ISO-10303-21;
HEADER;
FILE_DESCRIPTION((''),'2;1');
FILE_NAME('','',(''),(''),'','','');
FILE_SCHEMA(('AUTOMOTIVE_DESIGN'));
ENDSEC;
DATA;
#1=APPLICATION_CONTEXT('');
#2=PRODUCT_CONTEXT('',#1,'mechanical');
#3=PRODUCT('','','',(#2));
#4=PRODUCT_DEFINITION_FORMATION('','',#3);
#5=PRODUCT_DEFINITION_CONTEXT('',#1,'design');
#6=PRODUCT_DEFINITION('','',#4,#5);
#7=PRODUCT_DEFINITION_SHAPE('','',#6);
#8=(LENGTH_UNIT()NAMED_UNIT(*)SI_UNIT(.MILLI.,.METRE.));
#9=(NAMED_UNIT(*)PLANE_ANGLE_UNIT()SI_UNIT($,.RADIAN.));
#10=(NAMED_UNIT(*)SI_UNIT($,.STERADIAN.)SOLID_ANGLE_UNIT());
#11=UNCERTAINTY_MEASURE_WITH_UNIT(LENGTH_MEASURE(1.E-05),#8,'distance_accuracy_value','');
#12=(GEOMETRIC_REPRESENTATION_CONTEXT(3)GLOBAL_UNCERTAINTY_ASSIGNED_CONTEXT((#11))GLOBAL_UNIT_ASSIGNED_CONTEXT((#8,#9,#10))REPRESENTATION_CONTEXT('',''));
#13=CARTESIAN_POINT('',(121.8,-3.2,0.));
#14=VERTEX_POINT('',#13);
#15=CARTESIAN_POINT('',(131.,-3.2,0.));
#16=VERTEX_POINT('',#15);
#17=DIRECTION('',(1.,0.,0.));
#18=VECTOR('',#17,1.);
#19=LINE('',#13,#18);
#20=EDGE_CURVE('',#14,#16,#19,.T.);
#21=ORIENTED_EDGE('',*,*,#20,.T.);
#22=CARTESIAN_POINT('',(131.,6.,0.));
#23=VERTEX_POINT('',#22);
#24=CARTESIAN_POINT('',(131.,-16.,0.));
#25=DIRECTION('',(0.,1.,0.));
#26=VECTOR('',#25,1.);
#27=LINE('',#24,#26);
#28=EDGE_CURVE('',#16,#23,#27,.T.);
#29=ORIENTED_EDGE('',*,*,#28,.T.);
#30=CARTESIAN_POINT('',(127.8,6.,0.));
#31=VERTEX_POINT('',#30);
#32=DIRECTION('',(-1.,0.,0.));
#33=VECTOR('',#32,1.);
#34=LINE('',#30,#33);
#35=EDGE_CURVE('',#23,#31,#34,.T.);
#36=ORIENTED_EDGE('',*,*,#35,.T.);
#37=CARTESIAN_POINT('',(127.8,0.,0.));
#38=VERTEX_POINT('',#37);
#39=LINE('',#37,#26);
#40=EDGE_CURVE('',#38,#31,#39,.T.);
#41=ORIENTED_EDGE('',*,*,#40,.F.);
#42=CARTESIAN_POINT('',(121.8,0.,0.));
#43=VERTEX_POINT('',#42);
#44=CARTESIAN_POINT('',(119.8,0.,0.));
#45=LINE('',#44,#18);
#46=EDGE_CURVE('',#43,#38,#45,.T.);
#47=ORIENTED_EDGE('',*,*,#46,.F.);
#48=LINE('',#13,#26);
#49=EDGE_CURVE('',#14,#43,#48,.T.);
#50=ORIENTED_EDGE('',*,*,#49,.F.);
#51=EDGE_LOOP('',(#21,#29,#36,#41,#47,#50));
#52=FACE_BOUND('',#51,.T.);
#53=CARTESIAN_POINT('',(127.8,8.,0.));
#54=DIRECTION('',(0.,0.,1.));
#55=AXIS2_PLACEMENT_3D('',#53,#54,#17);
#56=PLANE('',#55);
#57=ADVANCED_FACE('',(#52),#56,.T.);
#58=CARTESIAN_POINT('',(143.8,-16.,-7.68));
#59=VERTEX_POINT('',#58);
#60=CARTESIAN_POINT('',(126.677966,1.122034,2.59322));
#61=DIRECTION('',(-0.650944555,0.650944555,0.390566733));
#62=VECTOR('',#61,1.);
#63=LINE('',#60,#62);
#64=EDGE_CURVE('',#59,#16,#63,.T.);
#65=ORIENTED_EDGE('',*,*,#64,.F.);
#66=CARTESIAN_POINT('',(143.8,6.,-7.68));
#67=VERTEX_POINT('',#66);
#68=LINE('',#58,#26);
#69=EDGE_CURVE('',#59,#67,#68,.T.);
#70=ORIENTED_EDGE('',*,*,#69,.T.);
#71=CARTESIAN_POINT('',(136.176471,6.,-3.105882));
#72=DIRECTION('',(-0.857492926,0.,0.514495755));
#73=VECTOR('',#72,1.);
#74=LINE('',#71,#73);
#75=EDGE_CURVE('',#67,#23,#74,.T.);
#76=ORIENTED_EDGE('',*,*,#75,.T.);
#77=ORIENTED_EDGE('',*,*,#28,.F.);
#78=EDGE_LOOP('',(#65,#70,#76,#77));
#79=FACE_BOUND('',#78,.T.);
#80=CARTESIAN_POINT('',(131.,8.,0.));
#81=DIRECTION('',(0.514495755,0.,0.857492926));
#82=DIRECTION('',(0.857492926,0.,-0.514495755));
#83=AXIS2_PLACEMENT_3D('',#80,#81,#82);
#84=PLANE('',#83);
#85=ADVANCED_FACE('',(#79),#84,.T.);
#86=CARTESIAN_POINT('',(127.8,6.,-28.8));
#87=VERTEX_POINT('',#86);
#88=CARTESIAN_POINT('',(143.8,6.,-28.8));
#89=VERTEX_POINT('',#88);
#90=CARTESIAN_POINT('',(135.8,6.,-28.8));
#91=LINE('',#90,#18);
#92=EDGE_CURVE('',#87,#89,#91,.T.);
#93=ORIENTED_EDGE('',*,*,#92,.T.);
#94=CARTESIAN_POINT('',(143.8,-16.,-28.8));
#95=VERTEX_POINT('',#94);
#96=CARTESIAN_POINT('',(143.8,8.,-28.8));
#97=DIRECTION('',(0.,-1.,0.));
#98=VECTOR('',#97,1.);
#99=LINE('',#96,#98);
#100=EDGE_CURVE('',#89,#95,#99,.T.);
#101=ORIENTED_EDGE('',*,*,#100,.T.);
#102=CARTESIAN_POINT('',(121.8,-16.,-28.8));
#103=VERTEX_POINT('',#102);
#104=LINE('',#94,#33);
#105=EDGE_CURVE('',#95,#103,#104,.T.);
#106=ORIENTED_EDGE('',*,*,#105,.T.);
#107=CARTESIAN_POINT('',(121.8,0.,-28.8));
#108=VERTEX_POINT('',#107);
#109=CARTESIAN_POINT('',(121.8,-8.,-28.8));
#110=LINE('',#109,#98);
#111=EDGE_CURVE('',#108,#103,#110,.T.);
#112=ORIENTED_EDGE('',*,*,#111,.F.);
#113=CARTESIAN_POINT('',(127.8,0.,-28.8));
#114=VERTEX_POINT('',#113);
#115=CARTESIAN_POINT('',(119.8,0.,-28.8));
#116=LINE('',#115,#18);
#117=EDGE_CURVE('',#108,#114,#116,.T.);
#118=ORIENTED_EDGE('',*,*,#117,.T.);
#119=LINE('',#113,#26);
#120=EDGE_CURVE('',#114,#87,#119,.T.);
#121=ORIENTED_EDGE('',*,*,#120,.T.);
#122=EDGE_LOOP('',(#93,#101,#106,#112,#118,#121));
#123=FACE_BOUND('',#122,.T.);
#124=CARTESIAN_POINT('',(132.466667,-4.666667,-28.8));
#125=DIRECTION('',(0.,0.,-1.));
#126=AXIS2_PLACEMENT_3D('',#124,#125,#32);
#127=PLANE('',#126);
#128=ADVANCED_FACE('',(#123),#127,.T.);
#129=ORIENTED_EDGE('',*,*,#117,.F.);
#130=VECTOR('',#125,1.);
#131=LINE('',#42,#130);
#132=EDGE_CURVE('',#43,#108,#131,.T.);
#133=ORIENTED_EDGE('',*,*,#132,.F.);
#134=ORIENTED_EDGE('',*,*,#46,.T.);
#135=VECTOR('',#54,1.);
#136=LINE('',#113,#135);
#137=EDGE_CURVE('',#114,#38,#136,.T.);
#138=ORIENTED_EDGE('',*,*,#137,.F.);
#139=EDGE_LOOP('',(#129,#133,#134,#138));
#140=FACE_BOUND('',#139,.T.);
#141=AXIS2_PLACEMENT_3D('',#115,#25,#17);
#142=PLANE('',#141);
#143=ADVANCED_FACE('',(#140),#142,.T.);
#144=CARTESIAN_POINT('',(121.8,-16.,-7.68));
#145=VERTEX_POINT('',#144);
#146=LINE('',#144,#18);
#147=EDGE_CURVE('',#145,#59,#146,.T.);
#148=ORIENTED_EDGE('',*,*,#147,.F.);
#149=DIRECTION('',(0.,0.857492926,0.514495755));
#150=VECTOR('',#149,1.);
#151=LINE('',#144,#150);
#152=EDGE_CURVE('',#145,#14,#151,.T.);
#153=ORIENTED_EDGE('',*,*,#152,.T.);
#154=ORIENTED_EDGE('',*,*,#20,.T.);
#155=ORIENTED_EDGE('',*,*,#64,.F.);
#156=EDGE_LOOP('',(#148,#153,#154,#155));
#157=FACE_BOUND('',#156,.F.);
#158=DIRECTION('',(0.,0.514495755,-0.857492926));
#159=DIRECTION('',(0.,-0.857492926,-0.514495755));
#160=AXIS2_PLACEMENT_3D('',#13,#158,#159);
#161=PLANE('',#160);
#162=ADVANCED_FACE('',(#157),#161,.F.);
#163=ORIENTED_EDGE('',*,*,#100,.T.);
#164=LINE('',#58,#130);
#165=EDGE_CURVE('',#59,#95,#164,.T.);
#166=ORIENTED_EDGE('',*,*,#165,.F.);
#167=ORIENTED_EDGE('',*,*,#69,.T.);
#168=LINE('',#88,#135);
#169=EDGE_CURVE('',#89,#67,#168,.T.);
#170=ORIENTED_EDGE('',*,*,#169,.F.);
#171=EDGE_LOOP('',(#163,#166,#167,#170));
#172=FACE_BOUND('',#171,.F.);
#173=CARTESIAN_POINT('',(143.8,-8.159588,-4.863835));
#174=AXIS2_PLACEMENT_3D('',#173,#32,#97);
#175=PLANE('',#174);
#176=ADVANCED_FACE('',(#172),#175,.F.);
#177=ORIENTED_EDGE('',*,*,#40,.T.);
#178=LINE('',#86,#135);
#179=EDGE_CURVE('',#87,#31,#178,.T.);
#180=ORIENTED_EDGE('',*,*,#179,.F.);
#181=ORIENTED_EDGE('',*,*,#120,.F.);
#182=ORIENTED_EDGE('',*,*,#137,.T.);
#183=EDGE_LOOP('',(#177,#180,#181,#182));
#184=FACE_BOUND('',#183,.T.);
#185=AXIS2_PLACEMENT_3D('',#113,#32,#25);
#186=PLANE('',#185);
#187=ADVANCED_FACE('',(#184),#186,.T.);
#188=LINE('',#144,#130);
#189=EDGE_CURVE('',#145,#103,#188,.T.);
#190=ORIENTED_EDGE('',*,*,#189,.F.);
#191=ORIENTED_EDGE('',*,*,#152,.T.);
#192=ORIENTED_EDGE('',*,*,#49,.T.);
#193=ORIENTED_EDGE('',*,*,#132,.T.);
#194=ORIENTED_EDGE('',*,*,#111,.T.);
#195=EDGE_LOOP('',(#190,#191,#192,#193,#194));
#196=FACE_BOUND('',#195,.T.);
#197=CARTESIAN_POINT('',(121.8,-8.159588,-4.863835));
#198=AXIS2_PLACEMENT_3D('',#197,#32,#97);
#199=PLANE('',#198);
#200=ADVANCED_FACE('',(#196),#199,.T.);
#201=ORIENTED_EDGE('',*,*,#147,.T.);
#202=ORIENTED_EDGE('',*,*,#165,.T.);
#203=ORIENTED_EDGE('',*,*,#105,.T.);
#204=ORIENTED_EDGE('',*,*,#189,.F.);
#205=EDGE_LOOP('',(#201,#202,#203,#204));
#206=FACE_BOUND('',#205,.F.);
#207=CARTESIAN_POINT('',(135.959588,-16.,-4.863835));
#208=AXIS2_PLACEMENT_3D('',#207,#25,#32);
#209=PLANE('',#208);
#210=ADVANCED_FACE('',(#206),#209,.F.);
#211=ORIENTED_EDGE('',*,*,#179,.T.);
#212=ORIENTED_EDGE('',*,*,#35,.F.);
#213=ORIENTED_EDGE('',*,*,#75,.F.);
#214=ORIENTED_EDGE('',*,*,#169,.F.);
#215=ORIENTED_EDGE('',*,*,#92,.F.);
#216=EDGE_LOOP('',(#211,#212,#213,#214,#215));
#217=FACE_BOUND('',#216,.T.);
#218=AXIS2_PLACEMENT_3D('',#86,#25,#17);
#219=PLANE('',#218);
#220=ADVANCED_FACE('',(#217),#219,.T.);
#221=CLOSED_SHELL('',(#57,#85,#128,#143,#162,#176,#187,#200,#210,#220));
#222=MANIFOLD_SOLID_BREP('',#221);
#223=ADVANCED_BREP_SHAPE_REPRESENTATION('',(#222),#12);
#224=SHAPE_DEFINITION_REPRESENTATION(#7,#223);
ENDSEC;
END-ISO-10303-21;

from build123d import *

# Parameters (mm, degrees)
PAD009_DEPTH    = 28.8
POCKET005_DEPTH = 24
POCKET006_DEPTH = 24
SKETCH111_W     = 2
SKETCH111_H     = 16
POCKET027_DEPTH = 30
PAD132_DEPTH    = 24
PAD133_DEPTH    = 22
POCKET054_DEPTH = 30
POCKET055_DEPTH = 26
SKETCH189_W     = 16
SKETCH189_H     = 2
POCKET071_DEPTH = 30


with BuildPart() as part:
    # Sketch014 (on Face52 of Binder005) → Pad009 (new body)
    with BuildSketch(Plane.XY.offset(-28.8)):
        Polygon((127.8, 0), (127.8, 8), (143.8, 8), (143.8, -16), (119.8, -16), (119.8, 0), align=None)
    extrude(amount=PAD009_DEPTH)

    # Sketch015 (on Face5 of Pad009) → Pocket005 (cut)
    with BuildSketch(Plane(origin=(119.8, 0, 0), x_dir=(0, -1, 0), z_dir=(-1, 0, 0))):
        Polygon((16, -9.6), (0, 0), (16, 0), align=None)
    extrude(amount=-POCKET005_DEPTH, mode=Mode.SUBTRACT)

    # Sketch016 (on Face3 of Pocket005) → Pocket006 (cut)
    with BuildSketch(Plane(origin=(0, 8, 0), x_dir=(-1, 0, 0), z_dir=(0, 1, 0))):
        Polygon((-143.8, -9.6), (-127.8, 0), (-143.8, 0), align=None)
    extrude(amount=-POCKET006_DEPTH, mode=Mode.SUBTRACT)

    # Sketch111 (on Face4 of Pocket006) → Pocket027 (cut)
    with BuildSketch(Plane(origin=(0, 0, -28.8), x_dir=(1, 0, 0), z_dir=(0, 0, -1))):
        with Locations((120.8, 8)):
            Rectangle(SKETCH111_W, SKETCH111_H)
    extrude(amount=-POCKET027_DEPTH, mode=Mode.SUBTRACT)

    # Sketch132 (on Face3 of Pocket027) → Pad132 (join)
    with BuildSketch(Plane(origin=(0, 8, 0), x_dir=(-1, 0, 0), z_dir=(0, 1, 0))):
        Polygon((-127.8, 0), (-131, 0), (-143.8, -7.68), (-143.8, -10.88), (-131, -3.2), (-127.8, -3.2), align=None)
    extrude(amount=-PAD132_DEPTH)

    # Sketch133 (on Face3 of Pad132) → Pad133 (join)
    with BuildSketch(Plane(origin=(121.8, 0, 0), x_dir=(0, -1, 0), z_dir=(-1, 0, 0))):
        Polygon((0, 0), (0, -3.2), (3.2, -3.2), (16, -10.88), (16, -7.68), (3.2, 0), align=None)
    extrude(amount=-PAD133_DEPTH)

    # Sketch168 (on Face3 of Pad133) → Pocket054 (cut)
    with BuildSketch(Plane(origin=(0, 8, 0), x_dir=(-1, 0, 0), z_dir=(0, 1, 0))):
        Polygon((-131, 0), (-143.8, -7.68), (-143.8, 0), align=None)
    extrude(amount=-POCKET054_DEPTH, mode=Mode.SUBTRACT)

    # Sketch169 (on Face6 of Pocket054) → Pocket055 (cut)
    with BuildSketch(Plane(origin=(121.8, 0, 0), x_dir=(0, -1, 0), z_dir=(-1, 0, 0))):
        Polygon((3.2, 0), (16, -7.68), (16, 0), align=None)
    extrude(amount=-POCKET055_DEPTH, mode=Mode.SUBTRACT)

    # Sketch189 (on Face1 of Pocket055) → Pocket071 (cut)
    with BuildSketch(Plane(origin=(0, 0, -28.8), x_dir=(1, 0, 0), z_dir=(0, 0, -1))):
        with Locations((135.8, -7)):
            Rectangle(SKETCH189_W, SKETCH189_H)
    extrude(amount=-POCKET071_DEPTH, mode=Mode.SUBTRACT)


solid = part.part
